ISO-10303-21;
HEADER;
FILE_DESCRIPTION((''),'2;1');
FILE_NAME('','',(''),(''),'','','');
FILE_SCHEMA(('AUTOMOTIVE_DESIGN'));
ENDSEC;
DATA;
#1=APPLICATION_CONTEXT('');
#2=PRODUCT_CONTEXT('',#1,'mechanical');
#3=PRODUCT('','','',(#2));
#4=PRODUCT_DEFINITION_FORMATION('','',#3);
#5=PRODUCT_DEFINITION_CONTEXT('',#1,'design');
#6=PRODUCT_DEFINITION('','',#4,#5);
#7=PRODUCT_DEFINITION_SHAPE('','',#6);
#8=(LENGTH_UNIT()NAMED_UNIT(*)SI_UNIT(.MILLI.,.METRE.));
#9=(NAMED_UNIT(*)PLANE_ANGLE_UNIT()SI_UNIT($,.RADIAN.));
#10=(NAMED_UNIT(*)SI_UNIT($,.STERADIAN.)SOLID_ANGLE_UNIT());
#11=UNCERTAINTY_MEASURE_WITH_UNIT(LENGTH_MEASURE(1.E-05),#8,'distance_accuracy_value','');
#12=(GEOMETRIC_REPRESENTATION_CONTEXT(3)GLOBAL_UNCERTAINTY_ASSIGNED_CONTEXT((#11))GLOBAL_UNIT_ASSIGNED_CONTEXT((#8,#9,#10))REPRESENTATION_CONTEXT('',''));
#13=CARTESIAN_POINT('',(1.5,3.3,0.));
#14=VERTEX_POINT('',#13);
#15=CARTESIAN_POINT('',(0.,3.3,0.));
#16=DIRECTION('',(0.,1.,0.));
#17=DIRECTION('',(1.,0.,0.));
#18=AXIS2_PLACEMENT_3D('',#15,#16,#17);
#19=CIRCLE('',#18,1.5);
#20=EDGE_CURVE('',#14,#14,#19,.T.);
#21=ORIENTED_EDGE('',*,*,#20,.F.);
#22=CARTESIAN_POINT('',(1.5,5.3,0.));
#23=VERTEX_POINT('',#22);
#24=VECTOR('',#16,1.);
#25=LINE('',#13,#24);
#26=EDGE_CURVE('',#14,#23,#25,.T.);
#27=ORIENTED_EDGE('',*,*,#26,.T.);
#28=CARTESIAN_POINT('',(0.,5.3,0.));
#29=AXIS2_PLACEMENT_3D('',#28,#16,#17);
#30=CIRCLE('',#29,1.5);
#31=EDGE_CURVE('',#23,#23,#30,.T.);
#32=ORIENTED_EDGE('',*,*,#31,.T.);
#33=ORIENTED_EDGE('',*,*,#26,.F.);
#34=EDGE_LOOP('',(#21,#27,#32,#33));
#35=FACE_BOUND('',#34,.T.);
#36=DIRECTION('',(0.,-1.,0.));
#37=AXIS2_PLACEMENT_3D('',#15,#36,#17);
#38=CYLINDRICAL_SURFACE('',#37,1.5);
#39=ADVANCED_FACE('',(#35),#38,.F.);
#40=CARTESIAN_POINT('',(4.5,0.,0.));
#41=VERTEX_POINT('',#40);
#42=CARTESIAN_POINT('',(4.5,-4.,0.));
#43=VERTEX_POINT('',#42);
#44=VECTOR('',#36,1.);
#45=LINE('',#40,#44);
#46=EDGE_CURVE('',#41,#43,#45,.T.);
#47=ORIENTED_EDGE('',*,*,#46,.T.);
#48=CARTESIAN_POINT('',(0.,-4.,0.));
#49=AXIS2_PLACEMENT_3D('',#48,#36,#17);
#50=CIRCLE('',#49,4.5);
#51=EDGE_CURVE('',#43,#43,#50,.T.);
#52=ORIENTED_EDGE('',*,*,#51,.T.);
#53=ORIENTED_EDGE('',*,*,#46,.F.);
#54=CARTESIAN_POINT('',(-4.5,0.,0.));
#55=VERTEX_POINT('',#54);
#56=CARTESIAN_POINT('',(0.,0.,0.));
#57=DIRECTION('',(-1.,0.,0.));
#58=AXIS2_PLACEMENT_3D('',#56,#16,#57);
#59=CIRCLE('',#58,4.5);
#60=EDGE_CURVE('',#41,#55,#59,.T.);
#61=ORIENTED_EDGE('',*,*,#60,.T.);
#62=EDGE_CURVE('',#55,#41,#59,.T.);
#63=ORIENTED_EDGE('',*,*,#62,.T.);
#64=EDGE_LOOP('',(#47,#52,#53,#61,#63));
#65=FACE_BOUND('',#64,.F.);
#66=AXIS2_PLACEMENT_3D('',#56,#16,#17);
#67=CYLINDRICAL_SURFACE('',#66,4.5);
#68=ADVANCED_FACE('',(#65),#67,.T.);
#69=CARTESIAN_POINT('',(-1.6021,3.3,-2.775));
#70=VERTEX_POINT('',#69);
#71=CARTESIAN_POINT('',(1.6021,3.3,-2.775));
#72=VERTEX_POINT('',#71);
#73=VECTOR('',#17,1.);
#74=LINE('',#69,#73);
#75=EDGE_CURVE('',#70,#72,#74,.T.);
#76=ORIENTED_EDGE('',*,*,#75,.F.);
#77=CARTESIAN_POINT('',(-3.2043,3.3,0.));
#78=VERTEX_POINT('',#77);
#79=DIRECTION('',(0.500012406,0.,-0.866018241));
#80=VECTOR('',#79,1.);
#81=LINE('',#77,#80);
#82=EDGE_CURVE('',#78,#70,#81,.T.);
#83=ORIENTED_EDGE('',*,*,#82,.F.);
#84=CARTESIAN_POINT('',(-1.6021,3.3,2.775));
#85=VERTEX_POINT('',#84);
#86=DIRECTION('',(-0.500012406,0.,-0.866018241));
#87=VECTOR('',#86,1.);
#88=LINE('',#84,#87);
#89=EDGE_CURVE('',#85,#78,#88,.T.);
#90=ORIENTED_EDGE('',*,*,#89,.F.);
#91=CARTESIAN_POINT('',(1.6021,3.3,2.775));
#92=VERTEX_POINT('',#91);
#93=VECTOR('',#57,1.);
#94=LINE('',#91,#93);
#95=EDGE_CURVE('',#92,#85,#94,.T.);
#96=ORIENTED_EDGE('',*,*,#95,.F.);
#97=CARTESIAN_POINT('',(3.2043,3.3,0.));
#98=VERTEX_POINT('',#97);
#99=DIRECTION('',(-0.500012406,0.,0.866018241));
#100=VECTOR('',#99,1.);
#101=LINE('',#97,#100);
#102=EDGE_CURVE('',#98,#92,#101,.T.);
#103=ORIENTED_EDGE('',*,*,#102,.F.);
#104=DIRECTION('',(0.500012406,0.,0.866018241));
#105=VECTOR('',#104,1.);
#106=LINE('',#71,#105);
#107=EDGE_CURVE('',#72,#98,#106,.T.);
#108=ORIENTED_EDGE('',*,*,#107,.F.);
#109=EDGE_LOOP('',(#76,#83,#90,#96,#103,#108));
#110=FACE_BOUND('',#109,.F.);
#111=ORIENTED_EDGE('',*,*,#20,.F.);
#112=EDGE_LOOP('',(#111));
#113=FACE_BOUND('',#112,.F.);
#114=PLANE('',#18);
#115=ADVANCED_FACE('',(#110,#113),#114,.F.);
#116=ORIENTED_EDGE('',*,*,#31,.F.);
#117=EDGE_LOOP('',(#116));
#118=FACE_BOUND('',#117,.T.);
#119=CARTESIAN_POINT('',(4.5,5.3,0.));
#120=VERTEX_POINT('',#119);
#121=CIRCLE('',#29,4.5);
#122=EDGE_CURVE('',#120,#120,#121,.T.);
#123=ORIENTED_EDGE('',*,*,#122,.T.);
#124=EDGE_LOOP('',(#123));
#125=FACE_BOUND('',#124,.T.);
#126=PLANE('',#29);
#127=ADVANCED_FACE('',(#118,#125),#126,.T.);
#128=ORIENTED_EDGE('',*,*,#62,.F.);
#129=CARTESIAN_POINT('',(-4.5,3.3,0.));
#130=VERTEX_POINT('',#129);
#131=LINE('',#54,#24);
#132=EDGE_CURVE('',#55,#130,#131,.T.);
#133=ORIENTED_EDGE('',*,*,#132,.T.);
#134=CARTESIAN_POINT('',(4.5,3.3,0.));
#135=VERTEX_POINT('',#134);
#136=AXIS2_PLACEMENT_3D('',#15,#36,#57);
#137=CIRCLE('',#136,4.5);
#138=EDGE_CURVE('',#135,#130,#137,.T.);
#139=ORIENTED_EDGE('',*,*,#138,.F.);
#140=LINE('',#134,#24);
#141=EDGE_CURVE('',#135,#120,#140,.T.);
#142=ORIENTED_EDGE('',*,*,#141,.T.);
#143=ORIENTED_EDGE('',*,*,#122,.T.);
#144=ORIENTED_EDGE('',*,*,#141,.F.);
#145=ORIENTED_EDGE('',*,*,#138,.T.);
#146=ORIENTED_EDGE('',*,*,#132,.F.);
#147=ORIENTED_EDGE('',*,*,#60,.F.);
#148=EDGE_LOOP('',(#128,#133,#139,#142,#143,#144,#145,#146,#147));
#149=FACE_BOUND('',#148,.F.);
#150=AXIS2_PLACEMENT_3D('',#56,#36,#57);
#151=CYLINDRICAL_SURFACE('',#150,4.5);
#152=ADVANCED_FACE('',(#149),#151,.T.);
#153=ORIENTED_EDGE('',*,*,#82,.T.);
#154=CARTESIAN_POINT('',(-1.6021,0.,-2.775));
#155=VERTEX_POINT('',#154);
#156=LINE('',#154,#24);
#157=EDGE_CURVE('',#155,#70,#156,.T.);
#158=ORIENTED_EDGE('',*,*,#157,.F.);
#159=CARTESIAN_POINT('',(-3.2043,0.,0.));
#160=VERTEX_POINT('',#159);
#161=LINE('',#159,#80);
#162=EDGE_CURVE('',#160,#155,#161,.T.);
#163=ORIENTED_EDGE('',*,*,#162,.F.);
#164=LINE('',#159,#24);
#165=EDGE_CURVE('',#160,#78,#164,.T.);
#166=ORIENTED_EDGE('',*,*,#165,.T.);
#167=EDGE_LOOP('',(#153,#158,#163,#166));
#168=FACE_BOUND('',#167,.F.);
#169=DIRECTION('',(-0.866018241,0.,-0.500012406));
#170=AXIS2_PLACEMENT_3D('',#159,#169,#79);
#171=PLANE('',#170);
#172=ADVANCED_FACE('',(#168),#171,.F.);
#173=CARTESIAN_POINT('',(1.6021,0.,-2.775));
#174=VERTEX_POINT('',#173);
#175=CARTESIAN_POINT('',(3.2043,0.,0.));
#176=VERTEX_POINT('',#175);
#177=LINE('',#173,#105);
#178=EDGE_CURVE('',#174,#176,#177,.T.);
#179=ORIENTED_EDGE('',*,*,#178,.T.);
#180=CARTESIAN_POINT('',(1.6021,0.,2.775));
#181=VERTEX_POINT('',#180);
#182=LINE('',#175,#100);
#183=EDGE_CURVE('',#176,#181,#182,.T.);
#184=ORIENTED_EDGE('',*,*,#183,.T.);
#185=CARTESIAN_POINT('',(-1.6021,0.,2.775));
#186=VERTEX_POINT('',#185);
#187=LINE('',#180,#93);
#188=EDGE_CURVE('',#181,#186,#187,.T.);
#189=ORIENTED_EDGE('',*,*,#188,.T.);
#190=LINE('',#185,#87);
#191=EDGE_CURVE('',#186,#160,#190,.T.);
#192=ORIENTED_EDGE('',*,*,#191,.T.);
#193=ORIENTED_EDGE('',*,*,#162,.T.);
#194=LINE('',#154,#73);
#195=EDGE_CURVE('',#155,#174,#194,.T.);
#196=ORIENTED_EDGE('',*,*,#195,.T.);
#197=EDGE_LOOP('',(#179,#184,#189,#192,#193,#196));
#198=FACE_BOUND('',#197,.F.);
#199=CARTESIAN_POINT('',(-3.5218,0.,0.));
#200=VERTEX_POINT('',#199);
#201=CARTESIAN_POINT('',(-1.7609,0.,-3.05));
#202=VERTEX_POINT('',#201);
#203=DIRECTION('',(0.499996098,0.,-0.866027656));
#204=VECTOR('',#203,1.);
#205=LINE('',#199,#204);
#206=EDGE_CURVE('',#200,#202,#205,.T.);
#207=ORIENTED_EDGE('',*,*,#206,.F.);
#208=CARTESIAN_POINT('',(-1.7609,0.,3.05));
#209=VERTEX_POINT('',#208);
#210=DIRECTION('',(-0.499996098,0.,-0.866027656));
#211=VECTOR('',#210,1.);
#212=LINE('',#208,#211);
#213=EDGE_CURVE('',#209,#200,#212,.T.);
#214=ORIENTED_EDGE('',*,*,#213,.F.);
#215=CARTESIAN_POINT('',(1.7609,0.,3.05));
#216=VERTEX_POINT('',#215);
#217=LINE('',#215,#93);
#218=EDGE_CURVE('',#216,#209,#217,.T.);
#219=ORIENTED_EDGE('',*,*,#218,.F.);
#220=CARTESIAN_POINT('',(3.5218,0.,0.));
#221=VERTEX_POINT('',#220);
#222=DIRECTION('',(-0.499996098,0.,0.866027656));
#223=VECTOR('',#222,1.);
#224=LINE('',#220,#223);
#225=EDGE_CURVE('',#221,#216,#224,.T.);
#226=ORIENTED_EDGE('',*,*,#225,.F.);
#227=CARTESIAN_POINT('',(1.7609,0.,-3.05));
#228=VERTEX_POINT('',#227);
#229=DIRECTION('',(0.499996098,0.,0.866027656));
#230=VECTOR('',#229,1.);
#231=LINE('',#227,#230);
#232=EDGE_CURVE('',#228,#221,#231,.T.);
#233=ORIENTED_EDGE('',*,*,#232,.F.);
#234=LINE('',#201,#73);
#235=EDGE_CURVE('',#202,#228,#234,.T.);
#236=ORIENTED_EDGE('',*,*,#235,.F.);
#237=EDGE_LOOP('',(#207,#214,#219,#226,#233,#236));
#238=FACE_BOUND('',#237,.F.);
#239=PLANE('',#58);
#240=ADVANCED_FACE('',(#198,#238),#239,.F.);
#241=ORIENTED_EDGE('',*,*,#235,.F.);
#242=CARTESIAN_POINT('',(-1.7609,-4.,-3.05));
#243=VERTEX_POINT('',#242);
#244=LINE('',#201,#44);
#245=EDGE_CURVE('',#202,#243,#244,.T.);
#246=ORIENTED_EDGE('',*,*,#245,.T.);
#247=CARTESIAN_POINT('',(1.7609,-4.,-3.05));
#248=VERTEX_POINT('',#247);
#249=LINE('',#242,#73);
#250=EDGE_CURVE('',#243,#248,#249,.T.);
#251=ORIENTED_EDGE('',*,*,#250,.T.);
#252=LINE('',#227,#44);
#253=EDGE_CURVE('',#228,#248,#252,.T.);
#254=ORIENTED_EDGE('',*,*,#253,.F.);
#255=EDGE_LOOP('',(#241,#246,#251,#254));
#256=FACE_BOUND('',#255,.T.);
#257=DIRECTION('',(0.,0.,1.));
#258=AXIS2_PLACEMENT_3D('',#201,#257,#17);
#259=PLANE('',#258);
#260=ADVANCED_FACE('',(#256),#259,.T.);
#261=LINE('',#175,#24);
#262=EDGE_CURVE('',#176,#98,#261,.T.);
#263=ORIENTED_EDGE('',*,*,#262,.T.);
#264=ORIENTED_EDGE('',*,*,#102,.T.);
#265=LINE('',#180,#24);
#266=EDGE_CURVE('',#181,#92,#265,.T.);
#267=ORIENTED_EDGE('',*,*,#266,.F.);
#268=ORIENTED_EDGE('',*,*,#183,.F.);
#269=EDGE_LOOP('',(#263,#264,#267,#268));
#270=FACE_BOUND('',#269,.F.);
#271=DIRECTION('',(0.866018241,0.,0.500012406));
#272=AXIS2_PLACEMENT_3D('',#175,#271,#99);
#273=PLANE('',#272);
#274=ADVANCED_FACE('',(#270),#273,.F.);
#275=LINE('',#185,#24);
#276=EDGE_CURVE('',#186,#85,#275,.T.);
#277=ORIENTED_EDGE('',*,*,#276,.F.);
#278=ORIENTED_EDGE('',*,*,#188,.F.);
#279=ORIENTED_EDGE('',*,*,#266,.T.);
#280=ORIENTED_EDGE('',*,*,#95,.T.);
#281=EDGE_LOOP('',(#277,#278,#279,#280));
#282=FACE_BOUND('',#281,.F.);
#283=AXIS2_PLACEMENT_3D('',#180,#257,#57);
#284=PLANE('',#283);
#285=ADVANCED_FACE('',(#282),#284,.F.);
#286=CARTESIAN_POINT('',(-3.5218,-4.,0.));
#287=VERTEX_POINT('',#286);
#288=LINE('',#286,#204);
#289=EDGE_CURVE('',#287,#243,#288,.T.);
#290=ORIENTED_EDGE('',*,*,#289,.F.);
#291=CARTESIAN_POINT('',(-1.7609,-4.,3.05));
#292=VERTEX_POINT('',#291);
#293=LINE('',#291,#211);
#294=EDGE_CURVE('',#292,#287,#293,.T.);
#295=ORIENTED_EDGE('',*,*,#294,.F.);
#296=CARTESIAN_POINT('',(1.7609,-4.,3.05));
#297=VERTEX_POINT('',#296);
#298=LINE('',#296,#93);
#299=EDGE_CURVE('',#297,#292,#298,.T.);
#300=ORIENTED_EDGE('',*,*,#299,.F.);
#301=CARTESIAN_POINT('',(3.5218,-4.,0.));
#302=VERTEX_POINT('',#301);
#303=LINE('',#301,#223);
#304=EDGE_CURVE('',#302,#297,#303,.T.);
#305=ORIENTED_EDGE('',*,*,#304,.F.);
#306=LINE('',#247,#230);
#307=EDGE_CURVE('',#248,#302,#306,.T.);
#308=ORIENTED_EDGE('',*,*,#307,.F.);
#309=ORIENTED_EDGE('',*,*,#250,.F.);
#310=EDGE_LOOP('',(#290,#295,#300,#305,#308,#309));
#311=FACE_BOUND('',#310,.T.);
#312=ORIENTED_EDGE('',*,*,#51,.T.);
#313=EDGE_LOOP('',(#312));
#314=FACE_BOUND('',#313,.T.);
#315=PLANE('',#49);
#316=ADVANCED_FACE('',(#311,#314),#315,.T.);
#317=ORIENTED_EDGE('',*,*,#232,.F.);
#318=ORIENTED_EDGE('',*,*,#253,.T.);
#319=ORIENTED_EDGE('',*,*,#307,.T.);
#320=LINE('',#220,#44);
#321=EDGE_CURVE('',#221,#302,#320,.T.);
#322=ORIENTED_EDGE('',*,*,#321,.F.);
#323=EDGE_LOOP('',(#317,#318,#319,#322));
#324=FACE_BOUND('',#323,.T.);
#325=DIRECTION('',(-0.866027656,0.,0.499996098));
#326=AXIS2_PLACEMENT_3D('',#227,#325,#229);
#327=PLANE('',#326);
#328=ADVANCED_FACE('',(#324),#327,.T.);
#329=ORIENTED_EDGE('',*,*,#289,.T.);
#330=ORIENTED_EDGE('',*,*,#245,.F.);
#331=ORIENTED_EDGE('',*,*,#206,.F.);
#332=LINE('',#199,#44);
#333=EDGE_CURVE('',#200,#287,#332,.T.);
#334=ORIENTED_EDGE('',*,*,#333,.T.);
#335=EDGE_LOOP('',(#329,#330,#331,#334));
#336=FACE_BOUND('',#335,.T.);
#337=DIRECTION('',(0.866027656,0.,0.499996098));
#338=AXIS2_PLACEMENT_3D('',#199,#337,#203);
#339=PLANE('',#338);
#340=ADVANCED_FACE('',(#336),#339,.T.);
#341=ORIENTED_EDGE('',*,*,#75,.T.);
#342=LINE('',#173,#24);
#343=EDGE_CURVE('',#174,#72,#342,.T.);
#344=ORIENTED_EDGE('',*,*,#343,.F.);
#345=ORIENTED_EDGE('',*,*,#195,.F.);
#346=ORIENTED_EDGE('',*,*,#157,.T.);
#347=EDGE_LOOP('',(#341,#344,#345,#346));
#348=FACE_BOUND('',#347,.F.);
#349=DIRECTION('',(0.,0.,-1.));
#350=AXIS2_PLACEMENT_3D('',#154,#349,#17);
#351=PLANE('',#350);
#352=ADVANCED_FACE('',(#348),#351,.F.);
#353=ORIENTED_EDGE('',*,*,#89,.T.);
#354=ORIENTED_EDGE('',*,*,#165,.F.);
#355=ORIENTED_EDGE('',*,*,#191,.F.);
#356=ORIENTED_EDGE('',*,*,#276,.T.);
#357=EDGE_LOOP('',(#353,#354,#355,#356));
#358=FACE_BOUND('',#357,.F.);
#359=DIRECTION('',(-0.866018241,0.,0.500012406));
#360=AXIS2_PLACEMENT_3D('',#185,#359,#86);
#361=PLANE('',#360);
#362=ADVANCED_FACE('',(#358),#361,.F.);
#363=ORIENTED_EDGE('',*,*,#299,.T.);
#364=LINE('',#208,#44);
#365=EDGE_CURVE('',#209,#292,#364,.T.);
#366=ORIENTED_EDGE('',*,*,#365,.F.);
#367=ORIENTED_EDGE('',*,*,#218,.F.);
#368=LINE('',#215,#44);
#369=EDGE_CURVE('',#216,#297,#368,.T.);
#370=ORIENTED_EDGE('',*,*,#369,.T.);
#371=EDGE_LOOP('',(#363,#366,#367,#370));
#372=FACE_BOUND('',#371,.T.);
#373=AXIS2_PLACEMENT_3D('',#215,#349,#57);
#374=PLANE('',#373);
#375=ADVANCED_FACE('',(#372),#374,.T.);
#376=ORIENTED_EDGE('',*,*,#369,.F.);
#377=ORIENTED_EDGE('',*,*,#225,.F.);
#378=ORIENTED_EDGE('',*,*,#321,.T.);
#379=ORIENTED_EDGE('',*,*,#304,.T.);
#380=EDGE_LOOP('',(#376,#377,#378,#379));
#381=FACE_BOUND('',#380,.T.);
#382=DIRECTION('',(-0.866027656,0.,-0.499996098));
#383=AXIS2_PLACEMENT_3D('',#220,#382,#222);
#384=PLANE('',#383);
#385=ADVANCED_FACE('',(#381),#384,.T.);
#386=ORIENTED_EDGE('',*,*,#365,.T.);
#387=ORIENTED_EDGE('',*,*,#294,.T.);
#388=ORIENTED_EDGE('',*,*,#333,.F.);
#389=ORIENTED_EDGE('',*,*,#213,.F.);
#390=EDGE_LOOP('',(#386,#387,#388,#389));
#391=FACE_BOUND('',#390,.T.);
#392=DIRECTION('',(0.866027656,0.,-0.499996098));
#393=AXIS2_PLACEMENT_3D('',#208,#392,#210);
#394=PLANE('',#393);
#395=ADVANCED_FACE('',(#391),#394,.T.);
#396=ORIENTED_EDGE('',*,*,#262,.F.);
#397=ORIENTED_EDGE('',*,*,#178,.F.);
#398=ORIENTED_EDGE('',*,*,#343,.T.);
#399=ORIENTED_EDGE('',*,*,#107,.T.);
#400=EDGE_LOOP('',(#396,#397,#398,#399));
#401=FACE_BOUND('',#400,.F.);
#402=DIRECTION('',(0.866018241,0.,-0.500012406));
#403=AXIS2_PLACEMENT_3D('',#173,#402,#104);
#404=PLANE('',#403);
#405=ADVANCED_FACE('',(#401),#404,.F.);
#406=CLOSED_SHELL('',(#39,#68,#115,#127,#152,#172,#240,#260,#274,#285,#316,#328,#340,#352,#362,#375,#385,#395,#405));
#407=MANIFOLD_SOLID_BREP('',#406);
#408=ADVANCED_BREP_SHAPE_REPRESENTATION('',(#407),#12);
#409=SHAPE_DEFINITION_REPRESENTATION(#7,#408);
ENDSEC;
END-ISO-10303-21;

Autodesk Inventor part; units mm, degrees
ref_plane "YZ Plane" through (0, 0, 0) normal (1, 0, 0) x (0, 1, 0)
ref_plane "XZ Plane" through (0, 0, 0) normal (0, 1, 0) x (-1, 0, 0)
ref_plane "XY Plane" through (0, 0, 0) normal (0, 0, 1) x (1, 0, 0)
sketch "Sketch1" plane through (0, 0, 0) normal (0, 1, 0) x (-1, 0, 0)
  circle A0 centre (0, 0) radius 1.5
  circle A1 centre (0, 0) radius 4.5
  line L0 (-1.6021, 2.775) -> (1.6021, 2.775)
  line L1 (1.6021, 2.775) -> (3.2043, 0)
  line L2 (3.2043, 0) -> (1.6021, -2.775)
  line L3 (1.6021, -2.775) -> (-1.6021, -2.775)
  line L4 (-1.6021, -2.775) -> (-3.2043, 0)
  line L5 (-3.2043, 0) -> (-1.6021, 2.775)
  line L6 (6.3, 0) -> (-6.3, 0) projected
  dimension "d0" = 3
  dimension "d1" = 9
  dimension "d2" = 5.55
extrude "Extrusion1" add sketch "Sketch1" along normal blind 3.3 contours L6 A1 L4 L3 L2 | L1 L0 L5 L6 A1
sketch "Sketch2" plane through (0, 3.3, 0) normal (0, 1, 0) x (1, 0, 0)
  line L0 (-1.6021, -2.775) -> (-3.2043, 0) projected
  line L1 (-3.2043, 0) -> (-1.6021, 2.775) projected
  line L2 (-1.6021, 2.775) -> (1.6021, 2.775) projected
  line L3 (1.6021, 2.775) -> (3.2043, 0) projected
  line L4 (3.2043, 0) -> (1.6021, -2.775) projected
  line L5 (1.6021, -2.775) -> (-1.6021, -2.775) projected
  circle A0 centre (0, 0) radius 4.5 projected
  circle A1 centre (0, 0) radius 1.5
  dimension "d5" = 3
extrude "Extrusion2" add sketch "Sketch2" along normal blind 2 contours L0 L1 L2 L3 L4 L5 | A0
sketch "Sketch3" plane through (0, 0, 0) normal (0, -1, 0) x (1, 0, 0)
  point P0 (0, 0)
sketch "Sketch4" plane through (0, 0, 0) normal (0, -1, 0) x (1, 0, 0)
  line L0 (-3.2043, 0) -> (-1.6021, 2.775) projected
  line L1 (-1.6021, 2.775) -> (1.6021, 2.775) projected
  line L2 (1.6021, 2.775) -> (3.2043, 0) projected
  line L3 (3.2043, 0) -> (1.6021, -2.775) projected
  line L4 (1.6021, -2.775) -> (-1.6021, -2.775) projected
  line L5 (-1.6021, -2.775) -> (-3.2043, 0) projected
  circle A0 centre (0, 0) radius 4.5 projected
  line L6 (3.5218, 0) -> (1.7609, 3.05)
  line L7 (1.7609, 3.05) -> (-1.7609, 3.05)
  line L8 (-1.7609, 3.05) -> (-3.5218, 0)
  line L9 (-3.5218, 0) -> (-1.7609, -3.05)
  line L10 (-1.7609, -3.05) -> (1.7609, -3.05)
  line L11 (1.7609, -3.05) -> (3.5218, 0)
  dimension "d8" = 6.1
extrude "Extrusion3" add sketch "Sketch4" along normal blind 4 contours A0
properties part number "30_Adapter_M3_nut"
